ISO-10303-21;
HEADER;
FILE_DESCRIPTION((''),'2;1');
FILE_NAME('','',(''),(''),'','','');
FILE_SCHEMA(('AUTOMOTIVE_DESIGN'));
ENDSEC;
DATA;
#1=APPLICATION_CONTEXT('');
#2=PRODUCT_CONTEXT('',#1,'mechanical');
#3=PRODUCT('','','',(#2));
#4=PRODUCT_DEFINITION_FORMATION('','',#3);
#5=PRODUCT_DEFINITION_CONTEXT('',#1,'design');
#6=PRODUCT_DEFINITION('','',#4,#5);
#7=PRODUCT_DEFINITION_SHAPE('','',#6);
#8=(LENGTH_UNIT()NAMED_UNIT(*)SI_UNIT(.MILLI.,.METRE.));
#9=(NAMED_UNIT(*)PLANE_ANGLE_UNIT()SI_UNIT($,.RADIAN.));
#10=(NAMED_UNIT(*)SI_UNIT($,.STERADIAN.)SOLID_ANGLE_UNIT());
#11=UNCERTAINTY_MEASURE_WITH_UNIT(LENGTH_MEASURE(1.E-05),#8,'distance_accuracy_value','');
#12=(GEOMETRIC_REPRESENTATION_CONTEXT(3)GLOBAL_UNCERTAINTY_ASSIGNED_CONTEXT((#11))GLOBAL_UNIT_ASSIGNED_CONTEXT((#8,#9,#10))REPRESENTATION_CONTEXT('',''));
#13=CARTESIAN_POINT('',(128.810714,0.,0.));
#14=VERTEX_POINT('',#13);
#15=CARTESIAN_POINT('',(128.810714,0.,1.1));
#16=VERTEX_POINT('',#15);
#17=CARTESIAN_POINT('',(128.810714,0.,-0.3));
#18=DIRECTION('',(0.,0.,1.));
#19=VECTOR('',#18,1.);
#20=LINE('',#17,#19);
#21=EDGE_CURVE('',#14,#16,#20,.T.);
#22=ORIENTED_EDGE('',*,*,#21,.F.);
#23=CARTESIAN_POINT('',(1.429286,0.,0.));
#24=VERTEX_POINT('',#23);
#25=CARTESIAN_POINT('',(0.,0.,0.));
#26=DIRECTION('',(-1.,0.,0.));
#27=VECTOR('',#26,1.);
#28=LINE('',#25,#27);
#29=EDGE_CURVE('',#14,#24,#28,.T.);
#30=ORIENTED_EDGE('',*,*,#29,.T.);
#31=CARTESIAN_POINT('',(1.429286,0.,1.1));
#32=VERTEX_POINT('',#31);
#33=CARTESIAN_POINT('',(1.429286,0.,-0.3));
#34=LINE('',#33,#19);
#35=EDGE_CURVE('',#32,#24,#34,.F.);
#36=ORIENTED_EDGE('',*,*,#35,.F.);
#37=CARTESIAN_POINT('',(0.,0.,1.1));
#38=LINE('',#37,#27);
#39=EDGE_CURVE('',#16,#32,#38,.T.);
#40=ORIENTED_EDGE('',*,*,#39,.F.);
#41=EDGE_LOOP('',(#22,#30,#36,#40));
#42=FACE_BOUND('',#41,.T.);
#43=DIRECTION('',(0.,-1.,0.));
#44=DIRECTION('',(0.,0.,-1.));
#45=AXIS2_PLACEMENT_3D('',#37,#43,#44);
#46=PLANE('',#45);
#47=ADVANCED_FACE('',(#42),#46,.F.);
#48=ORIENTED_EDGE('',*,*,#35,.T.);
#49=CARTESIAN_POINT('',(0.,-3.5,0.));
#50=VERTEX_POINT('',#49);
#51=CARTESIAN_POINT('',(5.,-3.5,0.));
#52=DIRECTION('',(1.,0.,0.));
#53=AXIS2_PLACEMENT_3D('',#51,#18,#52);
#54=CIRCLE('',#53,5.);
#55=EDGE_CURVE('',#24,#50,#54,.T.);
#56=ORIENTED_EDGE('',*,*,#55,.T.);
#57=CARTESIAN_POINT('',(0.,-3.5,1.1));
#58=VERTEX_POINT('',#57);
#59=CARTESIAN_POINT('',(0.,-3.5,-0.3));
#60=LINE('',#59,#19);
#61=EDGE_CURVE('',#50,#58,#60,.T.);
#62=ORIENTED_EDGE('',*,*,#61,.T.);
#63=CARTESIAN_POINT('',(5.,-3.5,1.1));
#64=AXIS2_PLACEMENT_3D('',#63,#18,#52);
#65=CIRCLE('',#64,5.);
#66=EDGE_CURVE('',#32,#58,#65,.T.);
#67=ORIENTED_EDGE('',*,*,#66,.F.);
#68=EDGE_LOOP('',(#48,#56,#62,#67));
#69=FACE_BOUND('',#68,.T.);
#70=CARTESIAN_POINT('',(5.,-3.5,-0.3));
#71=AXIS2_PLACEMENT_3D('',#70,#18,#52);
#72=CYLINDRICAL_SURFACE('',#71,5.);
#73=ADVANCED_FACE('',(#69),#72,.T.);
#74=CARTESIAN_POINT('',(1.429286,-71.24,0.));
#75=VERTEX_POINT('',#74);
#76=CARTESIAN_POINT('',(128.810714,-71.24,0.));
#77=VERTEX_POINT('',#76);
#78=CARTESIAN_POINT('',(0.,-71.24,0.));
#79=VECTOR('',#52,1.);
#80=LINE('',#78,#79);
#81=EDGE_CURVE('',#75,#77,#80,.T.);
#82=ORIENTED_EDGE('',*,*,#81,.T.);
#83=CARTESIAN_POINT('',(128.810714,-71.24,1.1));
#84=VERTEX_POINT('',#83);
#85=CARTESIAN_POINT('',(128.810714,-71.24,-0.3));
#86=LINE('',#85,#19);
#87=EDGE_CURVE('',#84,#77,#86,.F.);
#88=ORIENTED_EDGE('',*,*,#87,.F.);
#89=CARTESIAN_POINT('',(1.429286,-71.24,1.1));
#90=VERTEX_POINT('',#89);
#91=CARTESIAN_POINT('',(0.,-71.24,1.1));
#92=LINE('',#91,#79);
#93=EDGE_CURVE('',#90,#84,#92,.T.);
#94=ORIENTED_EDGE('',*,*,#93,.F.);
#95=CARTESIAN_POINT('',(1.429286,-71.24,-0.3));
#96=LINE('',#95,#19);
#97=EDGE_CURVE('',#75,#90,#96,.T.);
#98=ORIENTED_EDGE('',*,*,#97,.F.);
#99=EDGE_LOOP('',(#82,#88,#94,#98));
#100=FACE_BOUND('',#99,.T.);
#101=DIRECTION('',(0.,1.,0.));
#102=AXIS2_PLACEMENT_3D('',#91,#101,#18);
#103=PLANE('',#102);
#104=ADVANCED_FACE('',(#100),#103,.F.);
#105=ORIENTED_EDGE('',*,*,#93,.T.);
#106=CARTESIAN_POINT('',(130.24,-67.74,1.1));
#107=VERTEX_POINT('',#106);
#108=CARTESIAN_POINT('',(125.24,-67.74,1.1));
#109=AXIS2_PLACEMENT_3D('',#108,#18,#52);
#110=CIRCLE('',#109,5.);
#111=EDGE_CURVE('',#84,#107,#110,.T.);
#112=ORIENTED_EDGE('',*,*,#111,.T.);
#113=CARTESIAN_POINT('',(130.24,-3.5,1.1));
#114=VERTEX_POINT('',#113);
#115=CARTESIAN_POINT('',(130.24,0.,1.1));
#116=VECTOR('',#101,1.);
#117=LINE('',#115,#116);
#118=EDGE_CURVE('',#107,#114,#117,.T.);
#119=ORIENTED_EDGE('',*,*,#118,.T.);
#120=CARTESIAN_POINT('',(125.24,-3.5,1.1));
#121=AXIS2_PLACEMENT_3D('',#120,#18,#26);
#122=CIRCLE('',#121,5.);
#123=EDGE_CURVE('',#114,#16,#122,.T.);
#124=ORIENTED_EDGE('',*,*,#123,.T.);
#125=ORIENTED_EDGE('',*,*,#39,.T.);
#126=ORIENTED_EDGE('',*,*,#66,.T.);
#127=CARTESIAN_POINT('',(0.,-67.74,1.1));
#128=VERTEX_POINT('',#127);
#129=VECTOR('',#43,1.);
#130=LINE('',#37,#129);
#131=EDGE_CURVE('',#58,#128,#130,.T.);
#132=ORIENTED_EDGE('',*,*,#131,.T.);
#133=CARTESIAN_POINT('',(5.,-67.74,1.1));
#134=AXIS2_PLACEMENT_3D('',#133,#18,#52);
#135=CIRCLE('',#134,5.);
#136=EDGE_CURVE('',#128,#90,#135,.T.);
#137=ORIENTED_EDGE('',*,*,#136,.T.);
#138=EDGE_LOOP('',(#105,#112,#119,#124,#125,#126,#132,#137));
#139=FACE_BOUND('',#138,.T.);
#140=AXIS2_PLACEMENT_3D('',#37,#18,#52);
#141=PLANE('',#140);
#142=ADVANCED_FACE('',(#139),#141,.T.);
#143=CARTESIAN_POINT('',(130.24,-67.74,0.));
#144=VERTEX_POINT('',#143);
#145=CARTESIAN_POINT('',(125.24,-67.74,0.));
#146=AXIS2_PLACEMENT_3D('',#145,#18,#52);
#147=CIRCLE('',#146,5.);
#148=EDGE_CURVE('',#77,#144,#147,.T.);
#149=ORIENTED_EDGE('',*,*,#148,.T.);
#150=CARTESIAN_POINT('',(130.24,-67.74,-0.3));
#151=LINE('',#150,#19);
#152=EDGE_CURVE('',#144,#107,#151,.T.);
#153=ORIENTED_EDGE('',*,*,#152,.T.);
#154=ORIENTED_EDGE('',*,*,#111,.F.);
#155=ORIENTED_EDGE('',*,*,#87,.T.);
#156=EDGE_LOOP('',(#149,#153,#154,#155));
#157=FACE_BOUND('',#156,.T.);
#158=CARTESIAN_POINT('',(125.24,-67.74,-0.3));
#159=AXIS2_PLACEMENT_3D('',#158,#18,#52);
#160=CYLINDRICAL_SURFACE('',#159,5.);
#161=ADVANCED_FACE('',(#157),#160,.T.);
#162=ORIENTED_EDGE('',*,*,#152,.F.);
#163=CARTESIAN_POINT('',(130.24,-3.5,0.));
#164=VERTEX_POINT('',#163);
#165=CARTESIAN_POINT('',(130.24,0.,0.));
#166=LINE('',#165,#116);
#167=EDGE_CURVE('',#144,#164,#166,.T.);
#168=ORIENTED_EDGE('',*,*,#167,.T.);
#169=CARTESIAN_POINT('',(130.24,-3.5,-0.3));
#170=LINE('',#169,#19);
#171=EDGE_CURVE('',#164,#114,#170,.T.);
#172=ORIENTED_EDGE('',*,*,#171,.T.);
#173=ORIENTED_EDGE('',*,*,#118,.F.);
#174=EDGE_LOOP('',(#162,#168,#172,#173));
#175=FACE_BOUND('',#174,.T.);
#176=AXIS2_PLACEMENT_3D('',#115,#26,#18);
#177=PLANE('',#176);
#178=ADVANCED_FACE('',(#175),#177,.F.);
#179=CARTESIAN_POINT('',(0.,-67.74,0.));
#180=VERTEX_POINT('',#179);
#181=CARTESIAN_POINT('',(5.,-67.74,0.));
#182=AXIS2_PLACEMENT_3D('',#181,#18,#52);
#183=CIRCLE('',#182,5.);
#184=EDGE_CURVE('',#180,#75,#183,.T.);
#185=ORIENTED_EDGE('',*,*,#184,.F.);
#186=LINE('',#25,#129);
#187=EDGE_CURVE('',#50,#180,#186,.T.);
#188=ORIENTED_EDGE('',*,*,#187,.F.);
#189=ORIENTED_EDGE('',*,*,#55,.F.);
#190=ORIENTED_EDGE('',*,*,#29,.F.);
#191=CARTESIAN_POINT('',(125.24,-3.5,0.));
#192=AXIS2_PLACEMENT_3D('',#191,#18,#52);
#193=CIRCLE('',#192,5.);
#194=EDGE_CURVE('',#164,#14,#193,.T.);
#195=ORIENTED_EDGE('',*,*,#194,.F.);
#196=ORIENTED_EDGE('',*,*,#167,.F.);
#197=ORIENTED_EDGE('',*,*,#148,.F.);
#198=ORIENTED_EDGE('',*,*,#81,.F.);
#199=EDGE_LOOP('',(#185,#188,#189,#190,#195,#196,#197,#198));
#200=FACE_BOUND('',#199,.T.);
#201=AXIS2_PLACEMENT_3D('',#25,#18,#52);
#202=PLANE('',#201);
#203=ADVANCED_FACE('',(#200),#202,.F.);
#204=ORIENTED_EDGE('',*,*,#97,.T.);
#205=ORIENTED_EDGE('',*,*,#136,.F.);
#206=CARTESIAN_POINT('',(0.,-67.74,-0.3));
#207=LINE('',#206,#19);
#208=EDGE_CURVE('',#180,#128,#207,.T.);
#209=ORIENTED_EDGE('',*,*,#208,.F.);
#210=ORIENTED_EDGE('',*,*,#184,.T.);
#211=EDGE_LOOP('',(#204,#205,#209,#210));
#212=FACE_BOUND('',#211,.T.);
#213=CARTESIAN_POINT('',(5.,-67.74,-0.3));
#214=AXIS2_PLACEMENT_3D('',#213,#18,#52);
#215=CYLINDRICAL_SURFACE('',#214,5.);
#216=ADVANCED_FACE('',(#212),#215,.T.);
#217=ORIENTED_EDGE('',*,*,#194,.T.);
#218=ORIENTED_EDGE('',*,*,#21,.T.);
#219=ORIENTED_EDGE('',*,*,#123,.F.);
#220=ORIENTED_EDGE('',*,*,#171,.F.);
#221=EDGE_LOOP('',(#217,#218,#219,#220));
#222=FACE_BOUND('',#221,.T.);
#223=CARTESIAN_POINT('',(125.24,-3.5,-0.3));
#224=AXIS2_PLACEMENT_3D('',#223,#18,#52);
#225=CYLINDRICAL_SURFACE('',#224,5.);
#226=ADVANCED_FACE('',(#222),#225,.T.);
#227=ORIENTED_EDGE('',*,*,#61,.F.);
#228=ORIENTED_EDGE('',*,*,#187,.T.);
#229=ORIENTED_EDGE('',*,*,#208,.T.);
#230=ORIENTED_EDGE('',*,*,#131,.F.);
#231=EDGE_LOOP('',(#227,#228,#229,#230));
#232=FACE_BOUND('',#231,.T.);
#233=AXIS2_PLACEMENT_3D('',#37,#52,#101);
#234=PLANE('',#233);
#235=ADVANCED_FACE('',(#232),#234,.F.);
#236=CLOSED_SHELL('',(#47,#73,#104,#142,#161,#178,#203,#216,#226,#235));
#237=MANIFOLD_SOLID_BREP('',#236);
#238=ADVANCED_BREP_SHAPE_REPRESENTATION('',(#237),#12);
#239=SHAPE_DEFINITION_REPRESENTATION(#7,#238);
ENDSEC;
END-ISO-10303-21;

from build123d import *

# Parameters (mm, degrees)
CROQUIS1_W            = 130.24
CROQUIS1_H            = 71.24
BASE_DEPTH            = 1.1
CROQUIS2_W            = 139.816855756
CROQUIS2_H            = 82.895369025
CORTAR_EXTRUIR1_DEPTH = 1.4


with BuildPart() as part:
    # Croquis1 → Base (new body)
    with BuildSketch(Plane.XY):
        with Locations((65.12, -35.62)):
            Rectangle(CROQUIS1_W, CROQUIS1_H)
    extrude(amount=BASE_DEPTH)

    # Croquis2 → Cortar-Extruir1 (cut)
    with BuildSketch(Plane.XY.offset(1.1)):
        with Locations((63.677698172, -34.191443632)):
            Rectangle(CROQUIS2_W, CROQUIS2_H)
        with BuildLine():
            Line((5, 1.5), (125.24, 1.5))
            ThreePointArc((125.24, 1.5), (128.775533906, 0.035533906), (130.24, -3.5))
            Line((130.24, -3.5), (130.24, -67.74))
            ThreePointArc((130.24, -67.74), (128.775533906, -71.275533906), (125.24, -72.74))
            Line((125.24, -72.74), (5, -72.74))
            ThreePointArc((5, -72.74), (1.464466094, -71.275533906), (0, -67.74))
            Line((0, -67.74), (0, -3.5))
            ThreePointArc((0, -3.5), (1.464466094, 0.035533906), (5, 1.5))
        make_face(mode=Mode.SUBTRACT)
    extrude(amount=-CORTAR_EXTRUIR1_DEPTH, mode=Mode.SUBTRACT)


solid = part.part
